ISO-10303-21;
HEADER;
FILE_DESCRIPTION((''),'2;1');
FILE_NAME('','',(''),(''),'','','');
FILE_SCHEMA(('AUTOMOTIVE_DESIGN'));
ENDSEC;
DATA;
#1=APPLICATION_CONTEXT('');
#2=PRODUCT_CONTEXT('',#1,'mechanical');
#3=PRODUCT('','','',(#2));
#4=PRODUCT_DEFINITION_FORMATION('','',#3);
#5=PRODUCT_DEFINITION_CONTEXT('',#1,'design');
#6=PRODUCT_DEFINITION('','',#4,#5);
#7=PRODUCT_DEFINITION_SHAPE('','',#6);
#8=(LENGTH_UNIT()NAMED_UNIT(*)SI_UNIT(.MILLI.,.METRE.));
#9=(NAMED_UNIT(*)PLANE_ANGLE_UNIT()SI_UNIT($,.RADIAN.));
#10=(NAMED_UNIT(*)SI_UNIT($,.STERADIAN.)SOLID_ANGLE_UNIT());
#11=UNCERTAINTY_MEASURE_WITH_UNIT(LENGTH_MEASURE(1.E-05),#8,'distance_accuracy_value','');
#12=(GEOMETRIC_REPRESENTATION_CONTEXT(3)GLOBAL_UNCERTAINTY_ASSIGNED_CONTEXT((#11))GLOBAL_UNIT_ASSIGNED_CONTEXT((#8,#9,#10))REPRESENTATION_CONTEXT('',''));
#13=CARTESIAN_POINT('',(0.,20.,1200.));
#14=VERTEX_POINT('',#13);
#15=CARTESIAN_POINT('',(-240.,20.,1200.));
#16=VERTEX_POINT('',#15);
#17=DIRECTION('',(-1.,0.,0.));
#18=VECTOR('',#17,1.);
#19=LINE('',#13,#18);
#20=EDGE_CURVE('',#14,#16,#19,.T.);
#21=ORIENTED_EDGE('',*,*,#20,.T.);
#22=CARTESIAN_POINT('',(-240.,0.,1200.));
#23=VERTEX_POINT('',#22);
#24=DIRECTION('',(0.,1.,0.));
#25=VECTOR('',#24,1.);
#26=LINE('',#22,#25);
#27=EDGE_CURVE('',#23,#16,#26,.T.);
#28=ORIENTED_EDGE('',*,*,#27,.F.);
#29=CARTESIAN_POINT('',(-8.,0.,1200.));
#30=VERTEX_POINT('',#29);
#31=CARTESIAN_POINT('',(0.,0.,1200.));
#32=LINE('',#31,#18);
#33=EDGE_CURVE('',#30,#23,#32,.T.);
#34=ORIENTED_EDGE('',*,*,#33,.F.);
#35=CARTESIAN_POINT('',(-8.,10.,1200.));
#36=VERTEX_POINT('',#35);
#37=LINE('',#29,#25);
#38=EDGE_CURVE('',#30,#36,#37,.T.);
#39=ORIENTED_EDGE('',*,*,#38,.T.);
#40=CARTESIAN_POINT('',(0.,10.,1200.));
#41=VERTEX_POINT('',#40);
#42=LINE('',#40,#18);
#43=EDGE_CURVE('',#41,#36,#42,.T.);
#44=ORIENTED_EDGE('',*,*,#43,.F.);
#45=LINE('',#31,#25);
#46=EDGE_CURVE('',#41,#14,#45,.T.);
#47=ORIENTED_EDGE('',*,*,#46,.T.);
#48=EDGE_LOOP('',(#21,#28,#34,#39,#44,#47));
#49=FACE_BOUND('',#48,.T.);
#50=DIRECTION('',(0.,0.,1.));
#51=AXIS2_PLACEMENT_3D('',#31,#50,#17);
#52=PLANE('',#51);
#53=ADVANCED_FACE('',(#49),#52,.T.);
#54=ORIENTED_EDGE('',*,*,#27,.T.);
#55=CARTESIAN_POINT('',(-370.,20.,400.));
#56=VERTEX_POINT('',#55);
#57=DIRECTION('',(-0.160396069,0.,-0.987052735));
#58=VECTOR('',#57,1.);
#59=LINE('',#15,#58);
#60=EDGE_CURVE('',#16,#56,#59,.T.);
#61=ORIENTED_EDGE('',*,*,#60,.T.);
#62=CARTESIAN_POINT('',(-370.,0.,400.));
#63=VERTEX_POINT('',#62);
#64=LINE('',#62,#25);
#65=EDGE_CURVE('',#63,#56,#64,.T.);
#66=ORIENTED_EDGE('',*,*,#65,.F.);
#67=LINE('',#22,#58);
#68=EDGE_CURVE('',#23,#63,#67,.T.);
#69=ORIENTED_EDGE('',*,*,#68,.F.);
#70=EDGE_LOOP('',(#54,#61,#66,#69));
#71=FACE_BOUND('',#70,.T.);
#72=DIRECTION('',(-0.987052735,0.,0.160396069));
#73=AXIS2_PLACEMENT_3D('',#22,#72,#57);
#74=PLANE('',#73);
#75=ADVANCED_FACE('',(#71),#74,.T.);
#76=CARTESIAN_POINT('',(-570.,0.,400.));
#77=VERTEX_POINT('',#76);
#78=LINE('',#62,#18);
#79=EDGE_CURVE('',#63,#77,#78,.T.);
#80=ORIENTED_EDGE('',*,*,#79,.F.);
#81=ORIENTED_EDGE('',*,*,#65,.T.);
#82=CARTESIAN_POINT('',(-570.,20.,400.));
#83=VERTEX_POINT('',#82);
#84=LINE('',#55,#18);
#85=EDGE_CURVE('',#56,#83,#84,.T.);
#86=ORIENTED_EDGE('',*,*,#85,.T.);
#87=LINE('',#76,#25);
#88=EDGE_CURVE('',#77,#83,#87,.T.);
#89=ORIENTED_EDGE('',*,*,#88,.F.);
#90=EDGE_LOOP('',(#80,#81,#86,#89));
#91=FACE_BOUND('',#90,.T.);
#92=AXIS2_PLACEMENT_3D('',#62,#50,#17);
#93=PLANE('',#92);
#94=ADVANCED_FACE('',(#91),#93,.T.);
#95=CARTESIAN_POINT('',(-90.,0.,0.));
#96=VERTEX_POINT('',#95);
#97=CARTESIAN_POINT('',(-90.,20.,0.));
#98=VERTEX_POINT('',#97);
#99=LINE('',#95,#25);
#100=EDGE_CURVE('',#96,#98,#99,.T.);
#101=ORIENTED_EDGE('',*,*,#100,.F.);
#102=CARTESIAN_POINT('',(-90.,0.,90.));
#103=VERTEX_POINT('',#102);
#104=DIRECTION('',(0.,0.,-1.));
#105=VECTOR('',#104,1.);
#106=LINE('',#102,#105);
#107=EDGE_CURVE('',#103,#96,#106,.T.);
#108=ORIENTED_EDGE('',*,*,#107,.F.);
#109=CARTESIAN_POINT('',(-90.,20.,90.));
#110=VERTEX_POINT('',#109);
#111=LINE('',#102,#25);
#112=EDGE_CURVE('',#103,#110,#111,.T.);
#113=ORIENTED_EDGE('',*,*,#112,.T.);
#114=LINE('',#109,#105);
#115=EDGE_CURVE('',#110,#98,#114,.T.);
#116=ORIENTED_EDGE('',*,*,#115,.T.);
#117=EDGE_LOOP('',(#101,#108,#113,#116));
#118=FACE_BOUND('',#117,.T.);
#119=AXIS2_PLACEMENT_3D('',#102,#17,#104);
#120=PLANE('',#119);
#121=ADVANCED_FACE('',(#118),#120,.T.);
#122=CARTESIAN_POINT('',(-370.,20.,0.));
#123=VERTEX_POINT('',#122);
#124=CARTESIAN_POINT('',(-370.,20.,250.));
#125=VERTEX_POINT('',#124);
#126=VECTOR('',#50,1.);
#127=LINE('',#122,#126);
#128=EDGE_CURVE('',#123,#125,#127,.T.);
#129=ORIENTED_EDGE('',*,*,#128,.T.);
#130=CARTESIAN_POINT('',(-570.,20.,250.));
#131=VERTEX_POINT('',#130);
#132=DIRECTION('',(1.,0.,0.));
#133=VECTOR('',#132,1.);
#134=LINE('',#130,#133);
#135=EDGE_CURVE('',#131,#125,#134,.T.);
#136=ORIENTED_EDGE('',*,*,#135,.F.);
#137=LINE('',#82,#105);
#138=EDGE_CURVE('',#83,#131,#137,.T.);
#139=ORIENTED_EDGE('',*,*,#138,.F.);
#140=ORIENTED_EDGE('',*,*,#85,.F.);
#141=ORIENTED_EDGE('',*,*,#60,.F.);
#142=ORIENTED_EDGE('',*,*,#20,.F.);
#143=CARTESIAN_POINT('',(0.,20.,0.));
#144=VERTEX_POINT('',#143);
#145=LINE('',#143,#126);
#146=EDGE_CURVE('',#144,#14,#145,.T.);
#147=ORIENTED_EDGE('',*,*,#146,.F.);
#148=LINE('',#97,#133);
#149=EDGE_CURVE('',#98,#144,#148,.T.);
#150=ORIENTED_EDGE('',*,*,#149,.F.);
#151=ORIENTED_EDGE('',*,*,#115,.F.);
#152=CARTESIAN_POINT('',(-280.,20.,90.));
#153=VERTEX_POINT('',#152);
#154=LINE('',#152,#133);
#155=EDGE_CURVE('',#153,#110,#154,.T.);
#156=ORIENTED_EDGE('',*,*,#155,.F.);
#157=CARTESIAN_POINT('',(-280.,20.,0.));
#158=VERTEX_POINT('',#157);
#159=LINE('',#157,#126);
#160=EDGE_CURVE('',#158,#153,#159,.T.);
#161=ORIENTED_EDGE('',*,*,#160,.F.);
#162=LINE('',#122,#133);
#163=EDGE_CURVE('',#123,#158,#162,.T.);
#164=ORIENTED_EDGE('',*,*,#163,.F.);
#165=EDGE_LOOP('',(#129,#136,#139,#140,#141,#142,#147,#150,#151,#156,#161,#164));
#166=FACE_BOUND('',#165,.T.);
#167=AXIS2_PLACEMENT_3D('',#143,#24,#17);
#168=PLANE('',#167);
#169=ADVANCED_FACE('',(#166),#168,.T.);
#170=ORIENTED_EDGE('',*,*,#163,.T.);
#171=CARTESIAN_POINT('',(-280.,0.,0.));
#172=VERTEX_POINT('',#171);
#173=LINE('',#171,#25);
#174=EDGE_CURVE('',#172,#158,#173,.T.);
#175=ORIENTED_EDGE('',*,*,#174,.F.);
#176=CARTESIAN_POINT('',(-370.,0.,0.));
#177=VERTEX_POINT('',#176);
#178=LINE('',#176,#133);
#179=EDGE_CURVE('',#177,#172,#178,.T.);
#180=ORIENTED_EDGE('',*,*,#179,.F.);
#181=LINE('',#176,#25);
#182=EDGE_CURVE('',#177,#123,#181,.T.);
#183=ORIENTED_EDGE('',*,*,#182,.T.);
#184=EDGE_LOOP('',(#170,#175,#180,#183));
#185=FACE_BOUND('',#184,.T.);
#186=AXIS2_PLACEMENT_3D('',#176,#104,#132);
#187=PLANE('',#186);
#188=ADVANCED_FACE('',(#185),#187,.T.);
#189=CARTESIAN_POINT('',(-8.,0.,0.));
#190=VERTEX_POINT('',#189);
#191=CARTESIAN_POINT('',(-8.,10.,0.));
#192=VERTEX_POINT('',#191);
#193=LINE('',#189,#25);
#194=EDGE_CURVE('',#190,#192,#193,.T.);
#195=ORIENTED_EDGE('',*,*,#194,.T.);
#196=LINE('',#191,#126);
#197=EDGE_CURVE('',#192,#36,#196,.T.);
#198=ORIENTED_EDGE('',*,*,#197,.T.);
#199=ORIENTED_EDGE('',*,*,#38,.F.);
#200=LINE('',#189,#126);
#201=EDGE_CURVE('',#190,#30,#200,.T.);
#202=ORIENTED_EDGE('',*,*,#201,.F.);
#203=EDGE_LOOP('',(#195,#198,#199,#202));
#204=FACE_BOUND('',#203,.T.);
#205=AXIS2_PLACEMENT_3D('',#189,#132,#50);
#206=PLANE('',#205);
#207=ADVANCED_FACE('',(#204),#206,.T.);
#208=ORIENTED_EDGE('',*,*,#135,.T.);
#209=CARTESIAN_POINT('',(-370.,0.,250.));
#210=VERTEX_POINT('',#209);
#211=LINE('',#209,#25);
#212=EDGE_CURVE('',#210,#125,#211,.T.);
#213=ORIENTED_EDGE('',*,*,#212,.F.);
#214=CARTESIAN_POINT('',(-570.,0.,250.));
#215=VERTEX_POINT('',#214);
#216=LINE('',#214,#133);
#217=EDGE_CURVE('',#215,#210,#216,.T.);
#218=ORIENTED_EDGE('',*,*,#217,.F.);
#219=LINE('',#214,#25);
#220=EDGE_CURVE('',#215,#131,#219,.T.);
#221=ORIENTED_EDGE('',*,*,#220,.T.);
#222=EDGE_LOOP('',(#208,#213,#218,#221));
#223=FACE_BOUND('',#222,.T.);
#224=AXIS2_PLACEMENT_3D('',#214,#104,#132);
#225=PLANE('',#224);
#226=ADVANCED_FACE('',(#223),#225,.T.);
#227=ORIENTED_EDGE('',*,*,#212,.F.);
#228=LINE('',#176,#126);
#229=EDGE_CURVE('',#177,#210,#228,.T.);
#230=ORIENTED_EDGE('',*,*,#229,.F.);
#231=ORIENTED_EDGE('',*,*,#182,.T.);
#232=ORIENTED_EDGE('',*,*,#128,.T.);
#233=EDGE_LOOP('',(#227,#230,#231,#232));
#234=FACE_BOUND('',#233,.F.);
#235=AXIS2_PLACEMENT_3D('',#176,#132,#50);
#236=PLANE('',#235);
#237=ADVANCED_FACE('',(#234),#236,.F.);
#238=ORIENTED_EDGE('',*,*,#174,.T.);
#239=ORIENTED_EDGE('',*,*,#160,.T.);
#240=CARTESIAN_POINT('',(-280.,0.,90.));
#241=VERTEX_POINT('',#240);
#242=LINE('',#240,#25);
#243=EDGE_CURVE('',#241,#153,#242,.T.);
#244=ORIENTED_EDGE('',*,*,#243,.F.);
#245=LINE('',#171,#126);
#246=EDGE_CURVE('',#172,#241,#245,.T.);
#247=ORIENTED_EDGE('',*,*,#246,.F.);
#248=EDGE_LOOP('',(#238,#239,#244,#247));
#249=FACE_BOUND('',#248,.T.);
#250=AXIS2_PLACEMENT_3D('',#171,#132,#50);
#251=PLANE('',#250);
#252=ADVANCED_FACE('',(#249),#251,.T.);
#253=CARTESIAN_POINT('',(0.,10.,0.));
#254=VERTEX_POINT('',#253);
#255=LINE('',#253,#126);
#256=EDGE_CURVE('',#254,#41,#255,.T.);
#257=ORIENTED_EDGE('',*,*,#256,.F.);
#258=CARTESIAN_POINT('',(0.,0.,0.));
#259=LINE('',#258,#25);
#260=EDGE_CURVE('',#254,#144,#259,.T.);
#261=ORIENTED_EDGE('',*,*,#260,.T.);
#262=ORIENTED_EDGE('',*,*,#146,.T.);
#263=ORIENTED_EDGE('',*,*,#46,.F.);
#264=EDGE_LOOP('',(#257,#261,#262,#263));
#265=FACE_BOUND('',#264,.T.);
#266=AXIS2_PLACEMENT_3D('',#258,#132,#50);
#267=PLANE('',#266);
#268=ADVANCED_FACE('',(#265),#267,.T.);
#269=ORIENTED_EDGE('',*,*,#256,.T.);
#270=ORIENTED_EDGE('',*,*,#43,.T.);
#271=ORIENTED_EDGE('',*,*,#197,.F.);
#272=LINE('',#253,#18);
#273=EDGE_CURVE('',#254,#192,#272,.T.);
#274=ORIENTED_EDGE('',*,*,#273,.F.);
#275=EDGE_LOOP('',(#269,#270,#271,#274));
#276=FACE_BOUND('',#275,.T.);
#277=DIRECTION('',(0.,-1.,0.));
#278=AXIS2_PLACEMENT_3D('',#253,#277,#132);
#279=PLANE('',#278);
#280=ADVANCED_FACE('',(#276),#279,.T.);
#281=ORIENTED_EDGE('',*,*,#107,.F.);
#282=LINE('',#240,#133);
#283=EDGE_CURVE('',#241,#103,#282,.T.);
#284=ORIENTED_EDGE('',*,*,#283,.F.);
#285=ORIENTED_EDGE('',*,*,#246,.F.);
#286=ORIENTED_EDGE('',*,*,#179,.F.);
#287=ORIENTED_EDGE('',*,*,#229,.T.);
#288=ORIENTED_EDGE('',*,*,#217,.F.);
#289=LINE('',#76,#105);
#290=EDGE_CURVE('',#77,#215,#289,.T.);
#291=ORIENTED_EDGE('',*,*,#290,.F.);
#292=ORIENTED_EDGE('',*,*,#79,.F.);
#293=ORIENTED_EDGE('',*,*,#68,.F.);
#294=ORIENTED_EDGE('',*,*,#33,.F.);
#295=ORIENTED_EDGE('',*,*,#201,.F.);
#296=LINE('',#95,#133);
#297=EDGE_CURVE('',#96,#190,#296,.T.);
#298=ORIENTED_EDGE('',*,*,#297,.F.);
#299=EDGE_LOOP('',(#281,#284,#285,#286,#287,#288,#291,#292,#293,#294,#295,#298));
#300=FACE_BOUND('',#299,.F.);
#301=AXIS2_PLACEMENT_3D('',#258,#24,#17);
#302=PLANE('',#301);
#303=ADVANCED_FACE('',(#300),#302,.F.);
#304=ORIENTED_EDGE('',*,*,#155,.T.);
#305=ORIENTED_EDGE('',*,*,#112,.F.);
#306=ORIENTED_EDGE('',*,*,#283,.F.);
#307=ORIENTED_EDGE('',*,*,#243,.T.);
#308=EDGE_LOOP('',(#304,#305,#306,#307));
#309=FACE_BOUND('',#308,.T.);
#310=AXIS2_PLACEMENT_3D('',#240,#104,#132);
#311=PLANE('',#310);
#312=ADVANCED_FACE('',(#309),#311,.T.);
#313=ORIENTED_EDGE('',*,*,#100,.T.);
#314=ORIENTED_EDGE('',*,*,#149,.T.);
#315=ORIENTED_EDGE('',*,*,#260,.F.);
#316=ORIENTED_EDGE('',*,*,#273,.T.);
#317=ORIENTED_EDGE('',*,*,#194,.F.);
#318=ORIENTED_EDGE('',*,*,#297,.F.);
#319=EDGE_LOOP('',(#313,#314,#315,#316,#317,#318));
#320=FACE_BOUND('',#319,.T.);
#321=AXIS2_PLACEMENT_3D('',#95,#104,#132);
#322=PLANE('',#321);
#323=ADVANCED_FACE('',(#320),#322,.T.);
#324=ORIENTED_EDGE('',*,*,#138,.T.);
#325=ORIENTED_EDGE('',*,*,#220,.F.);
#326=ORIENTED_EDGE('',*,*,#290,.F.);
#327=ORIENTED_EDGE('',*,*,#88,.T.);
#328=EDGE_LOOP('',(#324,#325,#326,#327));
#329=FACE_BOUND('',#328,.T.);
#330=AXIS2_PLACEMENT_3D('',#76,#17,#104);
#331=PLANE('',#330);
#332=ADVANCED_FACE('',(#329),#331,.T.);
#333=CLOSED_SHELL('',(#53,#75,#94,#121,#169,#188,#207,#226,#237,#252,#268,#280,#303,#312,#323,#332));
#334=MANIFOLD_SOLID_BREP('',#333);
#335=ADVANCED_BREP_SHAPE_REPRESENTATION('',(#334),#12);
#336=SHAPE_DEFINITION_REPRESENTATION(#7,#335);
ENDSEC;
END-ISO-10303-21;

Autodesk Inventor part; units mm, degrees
ref_plane "YZ Plane" through (0, 0, 0) normal (1, 0, 0) x (0, 1, 0)
ref_plane "XZ Plane" through (0, 0, 0) normal (0, 1, 0) x (-1, 0, 0)
ref_plane "XY Plane" through (0, 0, 0) normal (0, 0, 1) x (1, 0, 0)
sketch "Sketch1" plane through (0, 0, 0) normal (0, 1, 0) x (-1, 0, 0)
  line L0 (0, 0) -> (0, 1200)
  line L1 (0, 1200) -> (240, 1200)
  line L2 (370, 400) -> (570, 400)
  line L3 (240, 1200) -> (370, 400)
  line L4 (570, 400) -> (570, 250)
  line L5 (570, 250) -> (370, 250)
  line L6 (370, 0) -> (370, 250)
  line L7 (370, 0) -> (280, 0)
  line L8 (280, 0) -> (280, 90)
  line L9 (280, 90) -> (90, 90)
  line L10 (90, 90) -> (90, 0)
  line L11 (90, 0) -> (0, 0)
  dimension "d2" = 1200
  dimension "d4" = 200
  dimension "d8" = 370
  dimension "d9" = 150
  dimension "d10" = 250
  dimension "d11" = 90
  dimension "d12" = 90
  dimension "d13" = 190
  dimension "d14" = 240
extrude "Extrusion1" add sketch "Sketch1" along normal blind 20
sketch "Sketch2" plane through (0, 0, 0) normal (0, -1, 0) x (1, 0, 0)
  line L0 (0, 0) -> (0, 1200) projected
  line L1 (0, 1200) -> (-240, 1200) projected
  line L2 (-240, 1200) -> (-240, 400) projected
  line L3 (-370, 400) -> (-570, 400) projected
  line L4 (-570, 400) -> (-570, 0) projected
  line L5 (-570, 0) -> (0, 0) projected
sketch "Sketch3" plane through (0, 0, 0) normal (0, -1, 0) x (1, 0, 0)
  line L0 (0, 0) -> (0, 1200) projected
  line L1 (0, 1200) -> (-240, 1200) projected
  line L2 (-240, 1200) -> (-370, 400) projected
  line L3 (-370, 400) -> (-570, 400) projected
  line L4 (-570, 400) -> (-570, 250) projected
  line L5 (-570, 250) -> (-370, 250) projected
  line L6 (-370, 250) -> (-370, 0) projected
  line L7 (-370, 0) -> (-280, 0) projected
  line L8 (-280, 0) -> (-280, 90) projected
  line L9 (-280, 90) -> (-90, 90) projected
  line L10 (-90, 90) -> (-90, 0) projected
  line L11 (-90, 0) -> (0, 0) projected
sketch "Sketch4" plane through (0, 0, 0) normal (0, -1, 0) x (1, 0, 0)
  line L0 (0, 0) -> (0, 1200) projected
  line L1 (0, 1200) -> (-240, 1200) projected
  line L2 (0, 0) -> (-8, 0)
  line L3 (-8, 0) -> (-8, 1200)
  line L4 (-8, 1200) -> (0, 1200)
  line L5 (0, 1200) -> (0, 0)
  dimension "d15" = 8
extrude "Extrusion2" cut sketch "Sketch4" against normal blind 10
properties part number "seitenteil"
